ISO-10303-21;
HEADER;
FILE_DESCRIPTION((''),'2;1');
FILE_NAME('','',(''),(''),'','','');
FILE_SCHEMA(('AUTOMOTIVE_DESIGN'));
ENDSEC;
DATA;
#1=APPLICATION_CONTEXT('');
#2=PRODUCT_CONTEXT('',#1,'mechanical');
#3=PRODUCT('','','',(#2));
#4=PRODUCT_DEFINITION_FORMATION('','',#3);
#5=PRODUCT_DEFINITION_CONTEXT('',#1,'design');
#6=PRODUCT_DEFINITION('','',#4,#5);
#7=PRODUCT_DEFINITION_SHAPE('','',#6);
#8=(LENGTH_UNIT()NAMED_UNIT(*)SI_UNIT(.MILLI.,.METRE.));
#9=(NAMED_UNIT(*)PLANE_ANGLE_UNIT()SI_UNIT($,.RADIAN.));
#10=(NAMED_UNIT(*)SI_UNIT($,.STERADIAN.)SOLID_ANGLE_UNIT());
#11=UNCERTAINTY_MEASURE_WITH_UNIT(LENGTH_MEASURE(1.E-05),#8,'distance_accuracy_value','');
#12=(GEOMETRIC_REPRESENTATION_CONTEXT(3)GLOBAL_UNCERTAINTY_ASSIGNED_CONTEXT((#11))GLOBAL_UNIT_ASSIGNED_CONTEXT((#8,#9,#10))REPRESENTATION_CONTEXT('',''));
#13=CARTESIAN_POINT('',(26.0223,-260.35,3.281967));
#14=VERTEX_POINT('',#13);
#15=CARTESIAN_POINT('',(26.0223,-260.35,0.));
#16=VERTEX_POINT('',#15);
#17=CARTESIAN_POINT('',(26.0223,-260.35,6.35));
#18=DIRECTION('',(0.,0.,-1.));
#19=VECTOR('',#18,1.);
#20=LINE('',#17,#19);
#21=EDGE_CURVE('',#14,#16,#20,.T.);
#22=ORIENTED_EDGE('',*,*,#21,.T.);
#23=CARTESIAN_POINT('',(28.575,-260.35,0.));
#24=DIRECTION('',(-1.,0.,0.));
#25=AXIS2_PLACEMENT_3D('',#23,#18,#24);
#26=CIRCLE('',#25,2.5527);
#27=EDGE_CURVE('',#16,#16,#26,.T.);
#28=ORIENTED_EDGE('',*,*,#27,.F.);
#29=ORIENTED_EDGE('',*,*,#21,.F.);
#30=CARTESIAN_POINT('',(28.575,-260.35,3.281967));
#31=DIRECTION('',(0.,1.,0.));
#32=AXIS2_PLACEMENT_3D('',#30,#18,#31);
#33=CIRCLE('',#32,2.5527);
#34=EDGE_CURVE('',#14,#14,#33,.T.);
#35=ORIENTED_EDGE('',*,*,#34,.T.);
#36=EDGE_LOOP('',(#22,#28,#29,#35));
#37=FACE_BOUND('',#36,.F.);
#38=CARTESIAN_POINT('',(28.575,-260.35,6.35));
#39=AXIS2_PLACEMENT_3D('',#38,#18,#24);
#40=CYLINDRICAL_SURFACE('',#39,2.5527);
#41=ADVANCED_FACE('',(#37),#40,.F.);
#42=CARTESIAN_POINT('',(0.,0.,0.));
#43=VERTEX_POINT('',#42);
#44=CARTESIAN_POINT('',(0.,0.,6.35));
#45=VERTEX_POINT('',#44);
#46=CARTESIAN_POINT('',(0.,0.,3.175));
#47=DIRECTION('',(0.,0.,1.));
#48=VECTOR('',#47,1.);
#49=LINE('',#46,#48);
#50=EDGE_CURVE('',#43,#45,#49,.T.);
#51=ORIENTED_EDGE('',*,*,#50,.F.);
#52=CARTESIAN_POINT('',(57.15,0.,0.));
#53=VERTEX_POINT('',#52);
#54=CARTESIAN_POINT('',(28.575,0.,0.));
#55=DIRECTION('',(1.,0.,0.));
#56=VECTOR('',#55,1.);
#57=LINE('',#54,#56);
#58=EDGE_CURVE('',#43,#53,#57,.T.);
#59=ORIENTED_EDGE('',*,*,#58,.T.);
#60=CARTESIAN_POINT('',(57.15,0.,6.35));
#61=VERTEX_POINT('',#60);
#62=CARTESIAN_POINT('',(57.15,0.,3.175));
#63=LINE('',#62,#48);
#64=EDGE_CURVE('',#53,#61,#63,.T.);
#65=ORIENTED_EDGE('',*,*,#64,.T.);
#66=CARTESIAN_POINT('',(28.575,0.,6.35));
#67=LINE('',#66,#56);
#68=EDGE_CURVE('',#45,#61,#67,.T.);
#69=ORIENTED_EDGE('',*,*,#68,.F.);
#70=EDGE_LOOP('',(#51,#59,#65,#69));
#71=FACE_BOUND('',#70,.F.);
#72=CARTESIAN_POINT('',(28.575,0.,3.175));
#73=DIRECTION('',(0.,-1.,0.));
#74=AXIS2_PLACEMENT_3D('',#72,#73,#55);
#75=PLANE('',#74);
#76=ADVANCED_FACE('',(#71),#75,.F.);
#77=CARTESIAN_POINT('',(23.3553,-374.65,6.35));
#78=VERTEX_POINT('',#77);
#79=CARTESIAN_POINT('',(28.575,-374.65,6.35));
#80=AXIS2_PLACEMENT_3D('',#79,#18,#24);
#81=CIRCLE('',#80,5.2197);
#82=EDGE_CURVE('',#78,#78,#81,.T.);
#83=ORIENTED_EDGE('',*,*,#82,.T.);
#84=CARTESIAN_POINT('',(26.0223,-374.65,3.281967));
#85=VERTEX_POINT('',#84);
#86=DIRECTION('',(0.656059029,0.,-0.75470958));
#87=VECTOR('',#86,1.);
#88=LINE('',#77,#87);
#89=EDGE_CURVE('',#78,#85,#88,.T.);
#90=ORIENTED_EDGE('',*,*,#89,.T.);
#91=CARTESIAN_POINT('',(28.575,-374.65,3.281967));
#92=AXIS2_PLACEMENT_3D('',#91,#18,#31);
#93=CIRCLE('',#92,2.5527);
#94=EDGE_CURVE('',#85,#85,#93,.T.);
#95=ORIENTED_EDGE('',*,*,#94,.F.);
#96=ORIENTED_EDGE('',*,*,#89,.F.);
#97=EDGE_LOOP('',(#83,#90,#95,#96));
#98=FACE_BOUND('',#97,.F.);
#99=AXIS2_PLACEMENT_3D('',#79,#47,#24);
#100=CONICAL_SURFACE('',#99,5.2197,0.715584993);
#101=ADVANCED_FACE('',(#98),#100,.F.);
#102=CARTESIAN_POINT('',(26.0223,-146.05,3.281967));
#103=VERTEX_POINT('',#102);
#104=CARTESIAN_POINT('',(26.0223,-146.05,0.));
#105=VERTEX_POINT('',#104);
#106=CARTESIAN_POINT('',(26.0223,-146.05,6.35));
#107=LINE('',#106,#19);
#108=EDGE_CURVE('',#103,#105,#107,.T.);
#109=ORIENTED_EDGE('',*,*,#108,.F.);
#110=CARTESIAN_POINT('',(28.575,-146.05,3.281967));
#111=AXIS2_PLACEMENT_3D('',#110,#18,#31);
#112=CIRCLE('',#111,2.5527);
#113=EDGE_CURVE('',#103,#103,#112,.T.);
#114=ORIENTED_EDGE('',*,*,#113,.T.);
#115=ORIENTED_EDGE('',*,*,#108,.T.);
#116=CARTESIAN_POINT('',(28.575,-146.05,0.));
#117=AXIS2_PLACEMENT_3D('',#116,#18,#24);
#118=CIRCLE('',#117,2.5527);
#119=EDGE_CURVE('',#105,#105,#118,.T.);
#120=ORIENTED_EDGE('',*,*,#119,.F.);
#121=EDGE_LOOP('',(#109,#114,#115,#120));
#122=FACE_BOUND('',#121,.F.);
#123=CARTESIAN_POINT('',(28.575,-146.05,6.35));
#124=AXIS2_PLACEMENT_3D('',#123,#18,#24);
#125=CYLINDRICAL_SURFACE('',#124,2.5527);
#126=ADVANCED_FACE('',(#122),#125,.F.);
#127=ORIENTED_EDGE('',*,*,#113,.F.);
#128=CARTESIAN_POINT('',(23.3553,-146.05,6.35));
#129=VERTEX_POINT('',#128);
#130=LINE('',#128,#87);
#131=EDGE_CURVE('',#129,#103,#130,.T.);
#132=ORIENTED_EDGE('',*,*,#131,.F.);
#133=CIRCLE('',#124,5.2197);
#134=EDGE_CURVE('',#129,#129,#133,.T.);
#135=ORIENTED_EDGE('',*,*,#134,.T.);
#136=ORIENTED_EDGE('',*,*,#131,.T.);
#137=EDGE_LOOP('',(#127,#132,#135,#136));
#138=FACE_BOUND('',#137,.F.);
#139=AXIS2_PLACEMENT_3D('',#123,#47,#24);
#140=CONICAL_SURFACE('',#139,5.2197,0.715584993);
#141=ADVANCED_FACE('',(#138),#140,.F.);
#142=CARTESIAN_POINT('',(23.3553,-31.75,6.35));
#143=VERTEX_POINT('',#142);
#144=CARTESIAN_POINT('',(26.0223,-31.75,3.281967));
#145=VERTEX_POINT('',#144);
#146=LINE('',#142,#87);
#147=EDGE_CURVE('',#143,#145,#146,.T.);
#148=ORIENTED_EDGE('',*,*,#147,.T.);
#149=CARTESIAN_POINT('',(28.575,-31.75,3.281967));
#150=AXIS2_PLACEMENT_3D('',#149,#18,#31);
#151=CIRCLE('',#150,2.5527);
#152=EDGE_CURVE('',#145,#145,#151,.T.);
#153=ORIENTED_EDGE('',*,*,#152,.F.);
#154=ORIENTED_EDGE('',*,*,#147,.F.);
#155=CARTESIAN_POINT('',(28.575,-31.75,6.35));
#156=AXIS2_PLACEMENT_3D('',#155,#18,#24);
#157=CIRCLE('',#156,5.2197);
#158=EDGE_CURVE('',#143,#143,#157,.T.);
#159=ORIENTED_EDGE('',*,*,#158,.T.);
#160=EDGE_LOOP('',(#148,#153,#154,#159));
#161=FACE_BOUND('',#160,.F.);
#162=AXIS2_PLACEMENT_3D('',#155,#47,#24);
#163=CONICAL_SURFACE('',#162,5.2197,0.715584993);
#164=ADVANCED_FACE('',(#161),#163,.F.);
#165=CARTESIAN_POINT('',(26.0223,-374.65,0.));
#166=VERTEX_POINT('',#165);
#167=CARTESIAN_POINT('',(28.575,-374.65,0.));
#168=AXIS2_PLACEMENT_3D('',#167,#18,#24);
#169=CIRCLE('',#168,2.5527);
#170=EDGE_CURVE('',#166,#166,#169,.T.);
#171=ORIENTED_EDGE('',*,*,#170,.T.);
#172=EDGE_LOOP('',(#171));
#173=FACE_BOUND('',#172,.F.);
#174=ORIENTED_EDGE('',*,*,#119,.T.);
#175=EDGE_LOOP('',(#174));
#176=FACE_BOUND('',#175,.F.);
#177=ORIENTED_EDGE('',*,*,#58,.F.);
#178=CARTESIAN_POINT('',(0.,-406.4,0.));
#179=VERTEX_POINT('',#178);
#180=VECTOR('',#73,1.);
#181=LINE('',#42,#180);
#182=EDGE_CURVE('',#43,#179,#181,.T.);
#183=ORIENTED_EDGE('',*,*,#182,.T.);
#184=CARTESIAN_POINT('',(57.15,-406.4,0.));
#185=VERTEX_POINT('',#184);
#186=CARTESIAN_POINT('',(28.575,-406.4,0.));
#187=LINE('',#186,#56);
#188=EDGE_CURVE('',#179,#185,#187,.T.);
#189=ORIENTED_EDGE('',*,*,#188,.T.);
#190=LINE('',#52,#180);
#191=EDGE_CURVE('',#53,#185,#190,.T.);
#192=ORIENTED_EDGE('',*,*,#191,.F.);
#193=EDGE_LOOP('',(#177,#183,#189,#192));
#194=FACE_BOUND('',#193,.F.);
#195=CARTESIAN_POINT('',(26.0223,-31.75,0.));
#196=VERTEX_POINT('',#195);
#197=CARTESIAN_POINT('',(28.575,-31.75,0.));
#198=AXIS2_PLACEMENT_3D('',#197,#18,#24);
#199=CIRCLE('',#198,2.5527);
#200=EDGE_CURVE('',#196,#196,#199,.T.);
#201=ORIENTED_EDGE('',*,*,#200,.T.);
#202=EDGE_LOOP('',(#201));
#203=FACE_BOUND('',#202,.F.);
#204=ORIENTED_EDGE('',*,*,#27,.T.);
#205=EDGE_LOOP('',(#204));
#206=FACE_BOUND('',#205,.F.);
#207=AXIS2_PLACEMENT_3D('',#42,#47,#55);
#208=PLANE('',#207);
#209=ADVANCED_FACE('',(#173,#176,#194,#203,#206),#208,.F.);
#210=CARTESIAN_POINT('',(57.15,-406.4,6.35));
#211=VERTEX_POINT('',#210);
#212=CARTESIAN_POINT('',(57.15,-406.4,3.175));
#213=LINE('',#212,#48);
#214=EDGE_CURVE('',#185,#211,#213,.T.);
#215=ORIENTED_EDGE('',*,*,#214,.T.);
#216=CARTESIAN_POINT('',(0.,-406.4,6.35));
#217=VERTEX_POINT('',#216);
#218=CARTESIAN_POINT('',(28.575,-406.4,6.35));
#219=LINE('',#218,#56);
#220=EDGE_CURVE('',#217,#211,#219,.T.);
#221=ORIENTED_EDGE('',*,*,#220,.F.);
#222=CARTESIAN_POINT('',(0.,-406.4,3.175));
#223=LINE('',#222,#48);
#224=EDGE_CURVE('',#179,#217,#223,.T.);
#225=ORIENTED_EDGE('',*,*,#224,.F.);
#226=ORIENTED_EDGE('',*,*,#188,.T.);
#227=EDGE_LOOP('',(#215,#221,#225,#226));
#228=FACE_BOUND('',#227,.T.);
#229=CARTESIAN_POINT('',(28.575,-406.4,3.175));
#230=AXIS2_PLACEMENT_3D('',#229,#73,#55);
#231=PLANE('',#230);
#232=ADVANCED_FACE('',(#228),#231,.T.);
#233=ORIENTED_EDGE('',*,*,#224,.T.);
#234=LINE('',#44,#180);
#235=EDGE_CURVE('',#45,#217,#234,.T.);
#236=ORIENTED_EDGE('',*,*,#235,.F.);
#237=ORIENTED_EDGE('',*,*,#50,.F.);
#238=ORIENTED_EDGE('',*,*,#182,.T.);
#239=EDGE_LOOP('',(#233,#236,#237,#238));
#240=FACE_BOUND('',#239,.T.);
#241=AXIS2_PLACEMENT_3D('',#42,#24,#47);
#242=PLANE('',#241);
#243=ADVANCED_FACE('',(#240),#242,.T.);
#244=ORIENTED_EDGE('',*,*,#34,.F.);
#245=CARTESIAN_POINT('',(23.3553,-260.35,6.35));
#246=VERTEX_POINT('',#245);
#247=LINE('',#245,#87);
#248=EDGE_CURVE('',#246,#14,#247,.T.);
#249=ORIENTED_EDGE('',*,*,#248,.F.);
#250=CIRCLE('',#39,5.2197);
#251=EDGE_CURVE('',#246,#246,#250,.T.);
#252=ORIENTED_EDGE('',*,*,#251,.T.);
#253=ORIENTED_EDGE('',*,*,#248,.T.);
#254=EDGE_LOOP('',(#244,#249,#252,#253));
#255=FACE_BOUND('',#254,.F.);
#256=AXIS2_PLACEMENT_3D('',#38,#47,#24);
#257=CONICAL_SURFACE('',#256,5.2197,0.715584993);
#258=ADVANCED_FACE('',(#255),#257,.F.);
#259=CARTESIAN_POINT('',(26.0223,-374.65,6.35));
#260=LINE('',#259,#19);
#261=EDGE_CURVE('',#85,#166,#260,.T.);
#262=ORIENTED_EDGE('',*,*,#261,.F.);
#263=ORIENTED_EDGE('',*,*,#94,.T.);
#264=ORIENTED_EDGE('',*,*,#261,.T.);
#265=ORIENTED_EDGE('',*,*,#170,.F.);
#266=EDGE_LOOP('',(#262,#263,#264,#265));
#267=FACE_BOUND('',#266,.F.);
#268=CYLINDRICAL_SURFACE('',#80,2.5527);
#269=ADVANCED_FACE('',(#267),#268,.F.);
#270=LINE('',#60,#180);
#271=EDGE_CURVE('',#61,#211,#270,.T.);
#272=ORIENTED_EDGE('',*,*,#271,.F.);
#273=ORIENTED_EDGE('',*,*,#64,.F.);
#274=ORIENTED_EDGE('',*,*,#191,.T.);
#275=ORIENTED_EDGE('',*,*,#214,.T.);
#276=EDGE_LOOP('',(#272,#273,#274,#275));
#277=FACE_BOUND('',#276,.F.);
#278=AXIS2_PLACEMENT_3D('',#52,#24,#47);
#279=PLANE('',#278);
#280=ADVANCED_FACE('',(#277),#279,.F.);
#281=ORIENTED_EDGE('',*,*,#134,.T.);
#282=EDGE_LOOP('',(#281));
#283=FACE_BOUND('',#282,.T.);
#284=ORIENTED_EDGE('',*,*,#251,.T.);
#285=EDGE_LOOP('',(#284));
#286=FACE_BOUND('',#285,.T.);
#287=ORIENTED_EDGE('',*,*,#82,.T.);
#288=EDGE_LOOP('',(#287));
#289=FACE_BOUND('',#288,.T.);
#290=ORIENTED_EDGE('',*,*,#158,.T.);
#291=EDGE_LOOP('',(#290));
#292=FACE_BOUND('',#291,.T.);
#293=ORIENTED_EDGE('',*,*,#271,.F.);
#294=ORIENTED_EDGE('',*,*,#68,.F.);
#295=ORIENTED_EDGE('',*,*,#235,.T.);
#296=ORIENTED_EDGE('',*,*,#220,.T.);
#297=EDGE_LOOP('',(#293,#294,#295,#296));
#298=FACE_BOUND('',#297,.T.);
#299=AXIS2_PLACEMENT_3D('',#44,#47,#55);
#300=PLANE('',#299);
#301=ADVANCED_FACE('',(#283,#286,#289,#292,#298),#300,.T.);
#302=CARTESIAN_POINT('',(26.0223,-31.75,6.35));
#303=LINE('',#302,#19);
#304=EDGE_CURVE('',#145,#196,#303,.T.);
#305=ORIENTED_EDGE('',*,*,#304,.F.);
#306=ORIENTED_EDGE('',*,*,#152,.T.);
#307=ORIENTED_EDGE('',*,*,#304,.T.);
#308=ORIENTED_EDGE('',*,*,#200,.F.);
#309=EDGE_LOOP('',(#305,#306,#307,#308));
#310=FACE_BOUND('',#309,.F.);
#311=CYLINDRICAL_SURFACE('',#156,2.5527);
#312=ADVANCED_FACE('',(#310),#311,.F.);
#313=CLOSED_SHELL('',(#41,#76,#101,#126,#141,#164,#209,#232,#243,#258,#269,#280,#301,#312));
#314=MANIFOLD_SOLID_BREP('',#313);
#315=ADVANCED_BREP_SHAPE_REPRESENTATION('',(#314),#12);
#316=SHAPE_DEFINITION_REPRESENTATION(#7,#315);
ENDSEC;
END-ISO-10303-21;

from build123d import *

# Parameters (mm, degrees)
F0_W           = 57.15
F0_H           = 6.35
F1_DEPTH       = 406.4
F3_D           = 5.1054
F3_DEPTH       = 19.1008
F3_CSINK_D     = 10.4394
F3_CSINK_ANGLE = 82
F3_TIP         = 1.5338169022


with BuildPart() as f1:
    # F0 (on Front) → F1 (new body)
    with BuildSketch(Plane.XZ):
        with Locations((28.575, 3.175)):
            Rectangle(F0_W, F0_H)
    extrude(amount=F1_DEPTH)

    # F3
    with Locations(Plane.XY.offset(6.35)):
        with Locations((28.575, -374.65), (28.575, -260.35), (28.575, -146.05), (28.575, -31.75)):
            CounterSinkHole(F3_D / 2, F3_CSINK_D / 2, depth=F3_DEPTH, counter_sink_angle=F3_CSINK_ANGLE)
            with Locations((0, 0, -(F3_DEPTH + F3_TIP / 2))):  # 118° drill point
                Cone(0, F3_D / 2, F3_TIP, mode=Mode.SUBTRACT)


solid = f1.part
